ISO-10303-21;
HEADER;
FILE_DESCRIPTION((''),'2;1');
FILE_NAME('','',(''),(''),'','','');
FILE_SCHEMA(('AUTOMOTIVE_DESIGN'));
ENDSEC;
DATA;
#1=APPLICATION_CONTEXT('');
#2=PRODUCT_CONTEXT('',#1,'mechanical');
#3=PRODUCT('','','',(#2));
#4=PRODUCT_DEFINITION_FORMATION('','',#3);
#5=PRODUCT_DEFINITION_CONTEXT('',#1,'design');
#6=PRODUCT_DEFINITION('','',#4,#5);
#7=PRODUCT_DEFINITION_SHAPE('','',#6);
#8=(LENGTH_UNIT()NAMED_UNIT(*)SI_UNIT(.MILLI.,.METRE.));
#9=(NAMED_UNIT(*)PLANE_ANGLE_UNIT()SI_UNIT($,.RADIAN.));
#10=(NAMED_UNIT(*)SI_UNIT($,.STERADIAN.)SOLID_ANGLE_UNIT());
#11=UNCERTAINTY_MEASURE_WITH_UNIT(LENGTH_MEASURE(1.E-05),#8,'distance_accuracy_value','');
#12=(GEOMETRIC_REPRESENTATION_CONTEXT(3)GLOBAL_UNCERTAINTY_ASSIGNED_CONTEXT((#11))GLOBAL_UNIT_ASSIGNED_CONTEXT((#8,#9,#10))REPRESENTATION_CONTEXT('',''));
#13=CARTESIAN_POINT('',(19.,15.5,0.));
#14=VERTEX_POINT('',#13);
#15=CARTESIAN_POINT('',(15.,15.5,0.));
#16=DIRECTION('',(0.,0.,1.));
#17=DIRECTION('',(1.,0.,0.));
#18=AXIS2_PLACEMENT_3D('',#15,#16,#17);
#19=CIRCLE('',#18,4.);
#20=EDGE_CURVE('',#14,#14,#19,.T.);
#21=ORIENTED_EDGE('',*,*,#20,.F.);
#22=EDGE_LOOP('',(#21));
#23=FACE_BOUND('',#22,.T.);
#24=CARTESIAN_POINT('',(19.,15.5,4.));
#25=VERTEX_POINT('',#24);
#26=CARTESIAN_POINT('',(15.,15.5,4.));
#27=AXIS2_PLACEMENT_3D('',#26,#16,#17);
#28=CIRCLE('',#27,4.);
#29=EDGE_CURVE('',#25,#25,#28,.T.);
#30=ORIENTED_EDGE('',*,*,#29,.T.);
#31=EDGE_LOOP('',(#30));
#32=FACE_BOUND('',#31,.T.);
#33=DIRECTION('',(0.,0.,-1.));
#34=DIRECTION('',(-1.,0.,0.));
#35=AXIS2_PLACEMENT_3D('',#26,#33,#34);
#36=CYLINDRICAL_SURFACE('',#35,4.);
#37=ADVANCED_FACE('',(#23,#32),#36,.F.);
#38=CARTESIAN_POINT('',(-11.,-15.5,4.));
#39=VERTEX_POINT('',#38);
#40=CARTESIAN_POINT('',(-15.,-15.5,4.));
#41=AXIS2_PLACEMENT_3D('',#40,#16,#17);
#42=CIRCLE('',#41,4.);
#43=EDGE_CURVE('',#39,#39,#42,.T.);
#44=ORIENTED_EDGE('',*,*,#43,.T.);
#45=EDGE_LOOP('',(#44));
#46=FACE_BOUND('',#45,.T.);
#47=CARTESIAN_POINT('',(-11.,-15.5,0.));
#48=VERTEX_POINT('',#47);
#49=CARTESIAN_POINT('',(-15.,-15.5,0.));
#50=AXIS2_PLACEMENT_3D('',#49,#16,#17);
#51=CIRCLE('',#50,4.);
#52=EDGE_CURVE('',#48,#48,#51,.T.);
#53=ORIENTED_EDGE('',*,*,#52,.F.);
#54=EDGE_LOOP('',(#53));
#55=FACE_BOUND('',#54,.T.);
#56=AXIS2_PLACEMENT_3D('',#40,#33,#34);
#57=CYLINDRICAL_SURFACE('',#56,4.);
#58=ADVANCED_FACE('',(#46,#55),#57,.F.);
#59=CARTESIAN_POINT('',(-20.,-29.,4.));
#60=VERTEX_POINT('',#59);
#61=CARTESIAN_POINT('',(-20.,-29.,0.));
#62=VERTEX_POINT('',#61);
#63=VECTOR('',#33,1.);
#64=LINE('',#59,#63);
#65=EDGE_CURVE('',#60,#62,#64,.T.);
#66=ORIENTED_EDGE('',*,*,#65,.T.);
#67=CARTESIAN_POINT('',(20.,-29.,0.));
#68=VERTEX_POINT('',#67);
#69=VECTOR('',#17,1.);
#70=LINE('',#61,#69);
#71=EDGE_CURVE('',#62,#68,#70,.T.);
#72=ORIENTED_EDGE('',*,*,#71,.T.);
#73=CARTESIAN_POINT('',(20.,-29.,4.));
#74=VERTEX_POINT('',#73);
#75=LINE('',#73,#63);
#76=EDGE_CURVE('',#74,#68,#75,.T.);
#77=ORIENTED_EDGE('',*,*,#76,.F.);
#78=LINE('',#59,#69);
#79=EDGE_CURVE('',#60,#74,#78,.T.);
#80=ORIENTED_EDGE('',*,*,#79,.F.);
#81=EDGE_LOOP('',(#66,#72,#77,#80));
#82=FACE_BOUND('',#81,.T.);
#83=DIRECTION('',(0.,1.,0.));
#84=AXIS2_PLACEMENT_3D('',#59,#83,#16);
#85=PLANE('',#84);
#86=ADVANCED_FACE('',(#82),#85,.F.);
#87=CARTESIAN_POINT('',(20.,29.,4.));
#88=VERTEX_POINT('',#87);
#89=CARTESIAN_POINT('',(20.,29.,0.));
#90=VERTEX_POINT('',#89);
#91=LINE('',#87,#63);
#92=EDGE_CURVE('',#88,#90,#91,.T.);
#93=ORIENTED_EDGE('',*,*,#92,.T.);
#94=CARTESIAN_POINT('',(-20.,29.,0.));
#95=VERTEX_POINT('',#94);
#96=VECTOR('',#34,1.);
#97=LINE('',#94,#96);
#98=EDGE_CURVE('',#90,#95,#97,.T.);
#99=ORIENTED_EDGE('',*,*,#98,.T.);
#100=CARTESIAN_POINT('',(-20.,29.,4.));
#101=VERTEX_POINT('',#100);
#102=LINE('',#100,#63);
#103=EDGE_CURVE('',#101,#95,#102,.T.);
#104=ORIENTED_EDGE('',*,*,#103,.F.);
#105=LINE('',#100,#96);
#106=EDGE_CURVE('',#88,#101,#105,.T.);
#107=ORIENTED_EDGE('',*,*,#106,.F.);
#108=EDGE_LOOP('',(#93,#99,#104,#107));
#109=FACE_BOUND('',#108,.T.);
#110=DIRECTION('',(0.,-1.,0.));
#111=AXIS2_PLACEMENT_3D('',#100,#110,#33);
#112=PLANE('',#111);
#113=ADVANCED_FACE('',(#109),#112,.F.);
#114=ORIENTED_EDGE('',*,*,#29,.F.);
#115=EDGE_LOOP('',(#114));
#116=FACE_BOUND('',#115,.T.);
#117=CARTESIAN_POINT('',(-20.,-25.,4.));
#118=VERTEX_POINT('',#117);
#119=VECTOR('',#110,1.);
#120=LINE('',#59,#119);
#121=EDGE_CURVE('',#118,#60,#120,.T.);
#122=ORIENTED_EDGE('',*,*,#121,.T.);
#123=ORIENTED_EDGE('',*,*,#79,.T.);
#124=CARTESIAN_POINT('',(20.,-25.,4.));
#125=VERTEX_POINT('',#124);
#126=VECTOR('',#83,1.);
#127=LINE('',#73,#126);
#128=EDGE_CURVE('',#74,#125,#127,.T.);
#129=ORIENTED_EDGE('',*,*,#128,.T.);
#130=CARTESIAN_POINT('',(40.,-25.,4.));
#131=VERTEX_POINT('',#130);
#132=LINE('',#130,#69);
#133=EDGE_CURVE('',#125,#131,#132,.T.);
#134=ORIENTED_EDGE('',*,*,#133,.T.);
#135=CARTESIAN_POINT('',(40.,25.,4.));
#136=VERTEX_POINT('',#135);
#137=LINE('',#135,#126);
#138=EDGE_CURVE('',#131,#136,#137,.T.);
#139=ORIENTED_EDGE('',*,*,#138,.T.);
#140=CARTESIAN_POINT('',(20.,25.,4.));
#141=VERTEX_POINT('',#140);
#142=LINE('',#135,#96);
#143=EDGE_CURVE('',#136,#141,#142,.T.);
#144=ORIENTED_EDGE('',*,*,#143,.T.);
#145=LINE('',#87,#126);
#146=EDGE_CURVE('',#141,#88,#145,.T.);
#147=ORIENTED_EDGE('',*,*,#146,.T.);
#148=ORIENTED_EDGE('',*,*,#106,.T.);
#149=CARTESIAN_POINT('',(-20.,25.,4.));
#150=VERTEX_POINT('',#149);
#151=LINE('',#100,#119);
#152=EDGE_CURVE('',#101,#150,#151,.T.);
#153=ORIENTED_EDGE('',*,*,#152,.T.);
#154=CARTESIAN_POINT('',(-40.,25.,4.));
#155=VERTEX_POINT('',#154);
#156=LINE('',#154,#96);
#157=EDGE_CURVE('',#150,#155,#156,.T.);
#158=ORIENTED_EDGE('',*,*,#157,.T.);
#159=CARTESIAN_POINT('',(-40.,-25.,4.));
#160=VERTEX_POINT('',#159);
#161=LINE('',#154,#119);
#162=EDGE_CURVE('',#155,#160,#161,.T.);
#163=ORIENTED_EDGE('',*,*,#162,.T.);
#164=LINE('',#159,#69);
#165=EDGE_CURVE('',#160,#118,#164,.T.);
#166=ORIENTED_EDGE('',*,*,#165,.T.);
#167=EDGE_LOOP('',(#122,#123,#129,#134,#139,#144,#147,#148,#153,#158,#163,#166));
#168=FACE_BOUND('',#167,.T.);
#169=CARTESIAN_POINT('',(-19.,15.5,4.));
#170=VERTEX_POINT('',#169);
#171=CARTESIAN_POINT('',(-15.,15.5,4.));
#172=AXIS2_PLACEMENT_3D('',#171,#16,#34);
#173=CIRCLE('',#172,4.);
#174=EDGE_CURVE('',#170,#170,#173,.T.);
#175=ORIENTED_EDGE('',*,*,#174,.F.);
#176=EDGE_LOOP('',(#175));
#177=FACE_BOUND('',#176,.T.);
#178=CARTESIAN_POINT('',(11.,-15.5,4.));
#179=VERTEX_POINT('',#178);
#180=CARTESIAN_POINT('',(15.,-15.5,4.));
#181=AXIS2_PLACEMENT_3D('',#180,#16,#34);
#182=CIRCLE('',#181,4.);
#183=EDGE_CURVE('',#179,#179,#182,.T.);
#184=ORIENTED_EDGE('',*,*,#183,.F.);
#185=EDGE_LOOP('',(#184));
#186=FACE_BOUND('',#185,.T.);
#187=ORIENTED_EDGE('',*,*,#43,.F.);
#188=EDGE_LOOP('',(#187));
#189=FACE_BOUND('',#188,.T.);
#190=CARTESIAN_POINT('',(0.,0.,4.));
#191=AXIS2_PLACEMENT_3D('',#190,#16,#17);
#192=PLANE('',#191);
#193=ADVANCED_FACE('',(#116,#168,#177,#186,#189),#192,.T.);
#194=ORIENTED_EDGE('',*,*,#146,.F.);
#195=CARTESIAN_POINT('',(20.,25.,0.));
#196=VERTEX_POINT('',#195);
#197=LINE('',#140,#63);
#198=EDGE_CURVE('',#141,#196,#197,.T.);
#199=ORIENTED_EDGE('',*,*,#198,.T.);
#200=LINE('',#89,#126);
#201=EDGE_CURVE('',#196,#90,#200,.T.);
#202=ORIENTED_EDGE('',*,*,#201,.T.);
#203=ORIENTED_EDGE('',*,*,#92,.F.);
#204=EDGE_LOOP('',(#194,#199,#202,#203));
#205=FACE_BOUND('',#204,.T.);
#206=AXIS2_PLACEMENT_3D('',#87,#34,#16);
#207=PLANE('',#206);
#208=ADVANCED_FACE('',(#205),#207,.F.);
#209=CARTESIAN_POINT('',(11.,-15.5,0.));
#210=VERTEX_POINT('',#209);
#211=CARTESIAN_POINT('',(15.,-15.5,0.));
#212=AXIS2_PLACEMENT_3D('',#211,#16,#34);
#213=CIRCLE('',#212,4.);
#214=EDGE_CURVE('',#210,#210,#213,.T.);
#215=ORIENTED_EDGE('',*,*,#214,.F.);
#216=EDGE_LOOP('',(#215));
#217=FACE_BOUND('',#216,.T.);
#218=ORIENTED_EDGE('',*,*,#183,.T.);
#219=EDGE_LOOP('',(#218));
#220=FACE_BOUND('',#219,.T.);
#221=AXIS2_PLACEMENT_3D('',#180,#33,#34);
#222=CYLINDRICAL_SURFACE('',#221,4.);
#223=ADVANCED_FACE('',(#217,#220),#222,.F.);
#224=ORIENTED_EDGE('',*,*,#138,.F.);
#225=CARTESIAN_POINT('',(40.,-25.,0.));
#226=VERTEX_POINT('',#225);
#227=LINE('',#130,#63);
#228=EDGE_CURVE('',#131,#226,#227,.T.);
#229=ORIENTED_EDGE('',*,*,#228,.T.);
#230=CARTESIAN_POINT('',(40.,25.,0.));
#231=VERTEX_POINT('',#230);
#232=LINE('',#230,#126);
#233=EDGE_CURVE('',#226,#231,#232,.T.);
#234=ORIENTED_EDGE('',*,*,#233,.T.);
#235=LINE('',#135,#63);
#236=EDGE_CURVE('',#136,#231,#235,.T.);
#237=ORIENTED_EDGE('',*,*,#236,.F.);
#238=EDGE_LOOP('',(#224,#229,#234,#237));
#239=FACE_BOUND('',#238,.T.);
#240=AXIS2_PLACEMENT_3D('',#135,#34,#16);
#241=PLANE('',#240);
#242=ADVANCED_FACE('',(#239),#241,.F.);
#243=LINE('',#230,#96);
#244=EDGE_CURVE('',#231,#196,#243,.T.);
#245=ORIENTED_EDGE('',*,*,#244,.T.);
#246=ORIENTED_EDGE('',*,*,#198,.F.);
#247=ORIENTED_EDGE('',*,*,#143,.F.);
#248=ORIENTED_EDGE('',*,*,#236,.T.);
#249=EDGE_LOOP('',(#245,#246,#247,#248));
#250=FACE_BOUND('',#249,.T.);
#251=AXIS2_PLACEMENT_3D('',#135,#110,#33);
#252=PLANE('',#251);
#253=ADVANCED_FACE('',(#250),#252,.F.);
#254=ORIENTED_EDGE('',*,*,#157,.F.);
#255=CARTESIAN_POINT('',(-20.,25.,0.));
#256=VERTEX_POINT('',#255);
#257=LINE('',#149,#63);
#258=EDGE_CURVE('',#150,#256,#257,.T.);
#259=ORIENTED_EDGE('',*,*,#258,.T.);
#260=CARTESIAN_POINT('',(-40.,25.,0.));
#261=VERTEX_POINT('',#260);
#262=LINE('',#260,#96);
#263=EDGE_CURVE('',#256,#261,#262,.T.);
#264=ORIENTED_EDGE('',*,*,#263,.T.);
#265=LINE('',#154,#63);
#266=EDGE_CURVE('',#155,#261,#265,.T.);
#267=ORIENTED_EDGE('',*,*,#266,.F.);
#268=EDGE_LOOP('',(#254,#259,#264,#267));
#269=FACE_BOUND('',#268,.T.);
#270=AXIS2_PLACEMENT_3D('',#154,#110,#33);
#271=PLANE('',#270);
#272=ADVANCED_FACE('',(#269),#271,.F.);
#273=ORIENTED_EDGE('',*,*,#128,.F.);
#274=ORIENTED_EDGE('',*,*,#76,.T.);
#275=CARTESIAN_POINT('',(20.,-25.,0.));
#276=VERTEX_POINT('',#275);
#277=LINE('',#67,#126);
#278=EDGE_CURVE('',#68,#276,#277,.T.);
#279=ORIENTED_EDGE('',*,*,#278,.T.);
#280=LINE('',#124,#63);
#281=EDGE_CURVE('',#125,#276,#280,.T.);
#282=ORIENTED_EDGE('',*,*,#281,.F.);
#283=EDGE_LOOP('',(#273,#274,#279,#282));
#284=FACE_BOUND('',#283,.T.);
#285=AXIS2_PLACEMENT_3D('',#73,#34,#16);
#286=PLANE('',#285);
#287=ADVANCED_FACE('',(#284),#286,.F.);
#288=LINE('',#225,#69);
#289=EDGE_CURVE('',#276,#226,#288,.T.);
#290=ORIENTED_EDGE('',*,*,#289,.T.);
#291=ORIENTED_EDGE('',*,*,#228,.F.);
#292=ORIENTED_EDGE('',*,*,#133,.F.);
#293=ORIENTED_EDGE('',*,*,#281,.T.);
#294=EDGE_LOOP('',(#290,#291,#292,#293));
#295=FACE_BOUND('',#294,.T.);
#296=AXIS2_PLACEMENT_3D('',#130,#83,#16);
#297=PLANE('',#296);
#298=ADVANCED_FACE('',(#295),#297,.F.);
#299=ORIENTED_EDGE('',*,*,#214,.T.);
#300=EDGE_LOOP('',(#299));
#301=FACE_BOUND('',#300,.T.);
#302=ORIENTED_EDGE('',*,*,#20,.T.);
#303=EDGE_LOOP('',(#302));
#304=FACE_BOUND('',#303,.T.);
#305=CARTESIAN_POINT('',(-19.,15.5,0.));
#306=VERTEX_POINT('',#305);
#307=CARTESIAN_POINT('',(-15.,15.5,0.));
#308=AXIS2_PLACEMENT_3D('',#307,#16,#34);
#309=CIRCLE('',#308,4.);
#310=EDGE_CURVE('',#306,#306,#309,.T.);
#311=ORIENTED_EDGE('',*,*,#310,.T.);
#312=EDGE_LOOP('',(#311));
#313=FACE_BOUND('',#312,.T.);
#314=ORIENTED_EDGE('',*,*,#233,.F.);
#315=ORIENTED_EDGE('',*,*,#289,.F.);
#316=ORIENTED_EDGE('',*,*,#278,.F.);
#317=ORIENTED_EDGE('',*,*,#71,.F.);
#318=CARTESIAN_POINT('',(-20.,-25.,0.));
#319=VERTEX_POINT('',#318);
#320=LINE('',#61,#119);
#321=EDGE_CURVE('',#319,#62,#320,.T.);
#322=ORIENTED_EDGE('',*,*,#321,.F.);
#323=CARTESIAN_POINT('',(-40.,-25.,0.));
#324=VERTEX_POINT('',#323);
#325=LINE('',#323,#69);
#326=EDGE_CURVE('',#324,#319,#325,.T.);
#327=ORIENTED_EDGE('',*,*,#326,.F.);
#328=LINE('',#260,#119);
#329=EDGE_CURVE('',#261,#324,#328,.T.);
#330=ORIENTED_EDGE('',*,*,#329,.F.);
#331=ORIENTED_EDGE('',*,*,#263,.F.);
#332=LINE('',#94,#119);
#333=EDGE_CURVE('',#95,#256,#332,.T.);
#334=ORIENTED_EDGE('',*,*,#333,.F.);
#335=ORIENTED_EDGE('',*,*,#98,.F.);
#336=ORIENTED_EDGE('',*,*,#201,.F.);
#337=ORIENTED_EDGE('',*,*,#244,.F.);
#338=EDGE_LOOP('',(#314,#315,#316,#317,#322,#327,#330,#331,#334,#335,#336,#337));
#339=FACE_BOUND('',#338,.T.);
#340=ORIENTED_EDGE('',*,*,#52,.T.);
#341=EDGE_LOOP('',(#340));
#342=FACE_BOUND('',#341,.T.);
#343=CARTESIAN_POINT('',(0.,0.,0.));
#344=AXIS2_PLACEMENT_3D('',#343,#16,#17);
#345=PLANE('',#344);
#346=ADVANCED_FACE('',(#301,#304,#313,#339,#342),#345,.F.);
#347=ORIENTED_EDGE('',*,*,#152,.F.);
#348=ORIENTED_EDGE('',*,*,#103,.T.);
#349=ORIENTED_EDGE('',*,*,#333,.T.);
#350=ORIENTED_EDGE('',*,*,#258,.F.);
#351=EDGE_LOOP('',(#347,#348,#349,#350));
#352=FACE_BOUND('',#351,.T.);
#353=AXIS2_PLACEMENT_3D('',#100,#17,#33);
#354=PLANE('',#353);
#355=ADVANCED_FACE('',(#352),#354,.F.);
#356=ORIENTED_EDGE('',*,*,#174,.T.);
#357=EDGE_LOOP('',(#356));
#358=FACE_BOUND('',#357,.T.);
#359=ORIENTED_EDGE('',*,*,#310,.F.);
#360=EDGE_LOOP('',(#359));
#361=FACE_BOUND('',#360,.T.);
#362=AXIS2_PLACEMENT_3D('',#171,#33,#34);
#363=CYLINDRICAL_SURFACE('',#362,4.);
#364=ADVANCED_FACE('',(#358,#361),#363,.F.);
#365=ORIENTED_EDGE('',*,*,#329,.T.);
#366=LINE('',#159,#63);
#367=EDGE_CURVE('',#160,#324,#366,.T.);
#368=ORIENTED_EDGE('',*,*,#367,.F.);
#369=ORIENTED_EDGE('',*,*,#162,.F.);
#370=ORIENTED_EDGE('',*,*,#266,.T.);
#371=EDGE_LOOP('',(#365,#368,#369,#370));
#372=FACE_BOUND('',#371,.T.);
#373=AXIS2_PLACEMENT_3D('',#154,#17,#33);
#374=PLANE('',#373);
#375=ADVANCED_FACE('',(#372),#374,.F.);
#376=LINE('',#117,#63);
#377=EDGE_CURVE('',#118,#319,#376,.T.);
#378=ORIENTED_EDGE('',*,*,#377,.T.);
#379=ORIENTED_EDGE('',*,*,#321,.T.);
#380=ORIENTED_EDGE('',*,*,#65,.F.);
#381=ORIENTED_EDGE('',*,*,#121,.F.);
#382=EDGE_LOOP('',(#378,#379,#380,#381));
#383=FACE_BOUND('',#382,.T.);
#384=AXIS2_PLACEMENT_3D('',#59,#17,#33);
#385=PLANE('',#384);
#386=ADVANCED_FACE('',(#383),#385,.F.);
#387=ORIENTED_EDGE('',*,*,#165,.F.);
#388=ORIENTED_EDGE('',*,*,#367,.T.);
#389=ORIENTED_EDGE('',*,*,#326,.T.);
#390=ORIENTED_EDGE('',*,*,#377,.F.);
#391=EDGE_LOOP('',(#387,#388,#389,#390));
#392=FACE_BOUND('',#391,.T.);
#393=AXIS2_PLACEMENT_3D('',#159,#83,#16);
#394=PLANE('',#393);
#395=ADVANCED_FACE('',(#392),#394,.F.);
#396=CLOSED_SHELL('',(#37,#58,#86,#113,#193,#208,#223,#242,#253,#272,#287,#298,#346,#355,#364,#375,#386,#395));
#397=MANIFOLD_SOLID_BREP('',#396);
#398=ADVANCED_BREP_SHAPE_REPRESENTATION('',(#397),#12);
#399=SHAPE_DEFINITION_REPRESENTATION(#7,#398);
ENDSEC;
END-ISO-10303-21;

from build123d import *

# Parameters (mm, degrees)
SKETCH1_R           = 4
BOSS_EXTRUDE1_DEPTH = 4


with BuildPart() as part:
    # Sketch1 → Boss-Extrude1 (new body)
    with BuildSketch(Plane.XY):
        Polygon((-20, 29), (20, 29), (20, 25), (40, 25), (40, -25), (20, -25), (20, -29), (-20, -29), (-20, -25), (-40, -25), (-40, 25), (-20, 25), align=None)
        with Locations((15, 15.5)):
            Circle(SKETCH1_R, mode=Mode.SUBTRACT)
        with Locations(Location((-15, 15.5, 0), (0, 0, 180))):
            Circle(SKETCH1_R, mode=Mode.SUBTRACT)
        with Locations((-15, -15.5)):
            Circle(SKETCH1_R, mode=Mode.SUBTRACT)
        with Locations(Location((15, -15.5, 0), (0, 0, 180))):
            Circle(SKETCH1_R, mode=Mode.SUBTRACT)
    extrude(amount=BOSS_EXTRUDE1_DEPTH)


solid = part.part
